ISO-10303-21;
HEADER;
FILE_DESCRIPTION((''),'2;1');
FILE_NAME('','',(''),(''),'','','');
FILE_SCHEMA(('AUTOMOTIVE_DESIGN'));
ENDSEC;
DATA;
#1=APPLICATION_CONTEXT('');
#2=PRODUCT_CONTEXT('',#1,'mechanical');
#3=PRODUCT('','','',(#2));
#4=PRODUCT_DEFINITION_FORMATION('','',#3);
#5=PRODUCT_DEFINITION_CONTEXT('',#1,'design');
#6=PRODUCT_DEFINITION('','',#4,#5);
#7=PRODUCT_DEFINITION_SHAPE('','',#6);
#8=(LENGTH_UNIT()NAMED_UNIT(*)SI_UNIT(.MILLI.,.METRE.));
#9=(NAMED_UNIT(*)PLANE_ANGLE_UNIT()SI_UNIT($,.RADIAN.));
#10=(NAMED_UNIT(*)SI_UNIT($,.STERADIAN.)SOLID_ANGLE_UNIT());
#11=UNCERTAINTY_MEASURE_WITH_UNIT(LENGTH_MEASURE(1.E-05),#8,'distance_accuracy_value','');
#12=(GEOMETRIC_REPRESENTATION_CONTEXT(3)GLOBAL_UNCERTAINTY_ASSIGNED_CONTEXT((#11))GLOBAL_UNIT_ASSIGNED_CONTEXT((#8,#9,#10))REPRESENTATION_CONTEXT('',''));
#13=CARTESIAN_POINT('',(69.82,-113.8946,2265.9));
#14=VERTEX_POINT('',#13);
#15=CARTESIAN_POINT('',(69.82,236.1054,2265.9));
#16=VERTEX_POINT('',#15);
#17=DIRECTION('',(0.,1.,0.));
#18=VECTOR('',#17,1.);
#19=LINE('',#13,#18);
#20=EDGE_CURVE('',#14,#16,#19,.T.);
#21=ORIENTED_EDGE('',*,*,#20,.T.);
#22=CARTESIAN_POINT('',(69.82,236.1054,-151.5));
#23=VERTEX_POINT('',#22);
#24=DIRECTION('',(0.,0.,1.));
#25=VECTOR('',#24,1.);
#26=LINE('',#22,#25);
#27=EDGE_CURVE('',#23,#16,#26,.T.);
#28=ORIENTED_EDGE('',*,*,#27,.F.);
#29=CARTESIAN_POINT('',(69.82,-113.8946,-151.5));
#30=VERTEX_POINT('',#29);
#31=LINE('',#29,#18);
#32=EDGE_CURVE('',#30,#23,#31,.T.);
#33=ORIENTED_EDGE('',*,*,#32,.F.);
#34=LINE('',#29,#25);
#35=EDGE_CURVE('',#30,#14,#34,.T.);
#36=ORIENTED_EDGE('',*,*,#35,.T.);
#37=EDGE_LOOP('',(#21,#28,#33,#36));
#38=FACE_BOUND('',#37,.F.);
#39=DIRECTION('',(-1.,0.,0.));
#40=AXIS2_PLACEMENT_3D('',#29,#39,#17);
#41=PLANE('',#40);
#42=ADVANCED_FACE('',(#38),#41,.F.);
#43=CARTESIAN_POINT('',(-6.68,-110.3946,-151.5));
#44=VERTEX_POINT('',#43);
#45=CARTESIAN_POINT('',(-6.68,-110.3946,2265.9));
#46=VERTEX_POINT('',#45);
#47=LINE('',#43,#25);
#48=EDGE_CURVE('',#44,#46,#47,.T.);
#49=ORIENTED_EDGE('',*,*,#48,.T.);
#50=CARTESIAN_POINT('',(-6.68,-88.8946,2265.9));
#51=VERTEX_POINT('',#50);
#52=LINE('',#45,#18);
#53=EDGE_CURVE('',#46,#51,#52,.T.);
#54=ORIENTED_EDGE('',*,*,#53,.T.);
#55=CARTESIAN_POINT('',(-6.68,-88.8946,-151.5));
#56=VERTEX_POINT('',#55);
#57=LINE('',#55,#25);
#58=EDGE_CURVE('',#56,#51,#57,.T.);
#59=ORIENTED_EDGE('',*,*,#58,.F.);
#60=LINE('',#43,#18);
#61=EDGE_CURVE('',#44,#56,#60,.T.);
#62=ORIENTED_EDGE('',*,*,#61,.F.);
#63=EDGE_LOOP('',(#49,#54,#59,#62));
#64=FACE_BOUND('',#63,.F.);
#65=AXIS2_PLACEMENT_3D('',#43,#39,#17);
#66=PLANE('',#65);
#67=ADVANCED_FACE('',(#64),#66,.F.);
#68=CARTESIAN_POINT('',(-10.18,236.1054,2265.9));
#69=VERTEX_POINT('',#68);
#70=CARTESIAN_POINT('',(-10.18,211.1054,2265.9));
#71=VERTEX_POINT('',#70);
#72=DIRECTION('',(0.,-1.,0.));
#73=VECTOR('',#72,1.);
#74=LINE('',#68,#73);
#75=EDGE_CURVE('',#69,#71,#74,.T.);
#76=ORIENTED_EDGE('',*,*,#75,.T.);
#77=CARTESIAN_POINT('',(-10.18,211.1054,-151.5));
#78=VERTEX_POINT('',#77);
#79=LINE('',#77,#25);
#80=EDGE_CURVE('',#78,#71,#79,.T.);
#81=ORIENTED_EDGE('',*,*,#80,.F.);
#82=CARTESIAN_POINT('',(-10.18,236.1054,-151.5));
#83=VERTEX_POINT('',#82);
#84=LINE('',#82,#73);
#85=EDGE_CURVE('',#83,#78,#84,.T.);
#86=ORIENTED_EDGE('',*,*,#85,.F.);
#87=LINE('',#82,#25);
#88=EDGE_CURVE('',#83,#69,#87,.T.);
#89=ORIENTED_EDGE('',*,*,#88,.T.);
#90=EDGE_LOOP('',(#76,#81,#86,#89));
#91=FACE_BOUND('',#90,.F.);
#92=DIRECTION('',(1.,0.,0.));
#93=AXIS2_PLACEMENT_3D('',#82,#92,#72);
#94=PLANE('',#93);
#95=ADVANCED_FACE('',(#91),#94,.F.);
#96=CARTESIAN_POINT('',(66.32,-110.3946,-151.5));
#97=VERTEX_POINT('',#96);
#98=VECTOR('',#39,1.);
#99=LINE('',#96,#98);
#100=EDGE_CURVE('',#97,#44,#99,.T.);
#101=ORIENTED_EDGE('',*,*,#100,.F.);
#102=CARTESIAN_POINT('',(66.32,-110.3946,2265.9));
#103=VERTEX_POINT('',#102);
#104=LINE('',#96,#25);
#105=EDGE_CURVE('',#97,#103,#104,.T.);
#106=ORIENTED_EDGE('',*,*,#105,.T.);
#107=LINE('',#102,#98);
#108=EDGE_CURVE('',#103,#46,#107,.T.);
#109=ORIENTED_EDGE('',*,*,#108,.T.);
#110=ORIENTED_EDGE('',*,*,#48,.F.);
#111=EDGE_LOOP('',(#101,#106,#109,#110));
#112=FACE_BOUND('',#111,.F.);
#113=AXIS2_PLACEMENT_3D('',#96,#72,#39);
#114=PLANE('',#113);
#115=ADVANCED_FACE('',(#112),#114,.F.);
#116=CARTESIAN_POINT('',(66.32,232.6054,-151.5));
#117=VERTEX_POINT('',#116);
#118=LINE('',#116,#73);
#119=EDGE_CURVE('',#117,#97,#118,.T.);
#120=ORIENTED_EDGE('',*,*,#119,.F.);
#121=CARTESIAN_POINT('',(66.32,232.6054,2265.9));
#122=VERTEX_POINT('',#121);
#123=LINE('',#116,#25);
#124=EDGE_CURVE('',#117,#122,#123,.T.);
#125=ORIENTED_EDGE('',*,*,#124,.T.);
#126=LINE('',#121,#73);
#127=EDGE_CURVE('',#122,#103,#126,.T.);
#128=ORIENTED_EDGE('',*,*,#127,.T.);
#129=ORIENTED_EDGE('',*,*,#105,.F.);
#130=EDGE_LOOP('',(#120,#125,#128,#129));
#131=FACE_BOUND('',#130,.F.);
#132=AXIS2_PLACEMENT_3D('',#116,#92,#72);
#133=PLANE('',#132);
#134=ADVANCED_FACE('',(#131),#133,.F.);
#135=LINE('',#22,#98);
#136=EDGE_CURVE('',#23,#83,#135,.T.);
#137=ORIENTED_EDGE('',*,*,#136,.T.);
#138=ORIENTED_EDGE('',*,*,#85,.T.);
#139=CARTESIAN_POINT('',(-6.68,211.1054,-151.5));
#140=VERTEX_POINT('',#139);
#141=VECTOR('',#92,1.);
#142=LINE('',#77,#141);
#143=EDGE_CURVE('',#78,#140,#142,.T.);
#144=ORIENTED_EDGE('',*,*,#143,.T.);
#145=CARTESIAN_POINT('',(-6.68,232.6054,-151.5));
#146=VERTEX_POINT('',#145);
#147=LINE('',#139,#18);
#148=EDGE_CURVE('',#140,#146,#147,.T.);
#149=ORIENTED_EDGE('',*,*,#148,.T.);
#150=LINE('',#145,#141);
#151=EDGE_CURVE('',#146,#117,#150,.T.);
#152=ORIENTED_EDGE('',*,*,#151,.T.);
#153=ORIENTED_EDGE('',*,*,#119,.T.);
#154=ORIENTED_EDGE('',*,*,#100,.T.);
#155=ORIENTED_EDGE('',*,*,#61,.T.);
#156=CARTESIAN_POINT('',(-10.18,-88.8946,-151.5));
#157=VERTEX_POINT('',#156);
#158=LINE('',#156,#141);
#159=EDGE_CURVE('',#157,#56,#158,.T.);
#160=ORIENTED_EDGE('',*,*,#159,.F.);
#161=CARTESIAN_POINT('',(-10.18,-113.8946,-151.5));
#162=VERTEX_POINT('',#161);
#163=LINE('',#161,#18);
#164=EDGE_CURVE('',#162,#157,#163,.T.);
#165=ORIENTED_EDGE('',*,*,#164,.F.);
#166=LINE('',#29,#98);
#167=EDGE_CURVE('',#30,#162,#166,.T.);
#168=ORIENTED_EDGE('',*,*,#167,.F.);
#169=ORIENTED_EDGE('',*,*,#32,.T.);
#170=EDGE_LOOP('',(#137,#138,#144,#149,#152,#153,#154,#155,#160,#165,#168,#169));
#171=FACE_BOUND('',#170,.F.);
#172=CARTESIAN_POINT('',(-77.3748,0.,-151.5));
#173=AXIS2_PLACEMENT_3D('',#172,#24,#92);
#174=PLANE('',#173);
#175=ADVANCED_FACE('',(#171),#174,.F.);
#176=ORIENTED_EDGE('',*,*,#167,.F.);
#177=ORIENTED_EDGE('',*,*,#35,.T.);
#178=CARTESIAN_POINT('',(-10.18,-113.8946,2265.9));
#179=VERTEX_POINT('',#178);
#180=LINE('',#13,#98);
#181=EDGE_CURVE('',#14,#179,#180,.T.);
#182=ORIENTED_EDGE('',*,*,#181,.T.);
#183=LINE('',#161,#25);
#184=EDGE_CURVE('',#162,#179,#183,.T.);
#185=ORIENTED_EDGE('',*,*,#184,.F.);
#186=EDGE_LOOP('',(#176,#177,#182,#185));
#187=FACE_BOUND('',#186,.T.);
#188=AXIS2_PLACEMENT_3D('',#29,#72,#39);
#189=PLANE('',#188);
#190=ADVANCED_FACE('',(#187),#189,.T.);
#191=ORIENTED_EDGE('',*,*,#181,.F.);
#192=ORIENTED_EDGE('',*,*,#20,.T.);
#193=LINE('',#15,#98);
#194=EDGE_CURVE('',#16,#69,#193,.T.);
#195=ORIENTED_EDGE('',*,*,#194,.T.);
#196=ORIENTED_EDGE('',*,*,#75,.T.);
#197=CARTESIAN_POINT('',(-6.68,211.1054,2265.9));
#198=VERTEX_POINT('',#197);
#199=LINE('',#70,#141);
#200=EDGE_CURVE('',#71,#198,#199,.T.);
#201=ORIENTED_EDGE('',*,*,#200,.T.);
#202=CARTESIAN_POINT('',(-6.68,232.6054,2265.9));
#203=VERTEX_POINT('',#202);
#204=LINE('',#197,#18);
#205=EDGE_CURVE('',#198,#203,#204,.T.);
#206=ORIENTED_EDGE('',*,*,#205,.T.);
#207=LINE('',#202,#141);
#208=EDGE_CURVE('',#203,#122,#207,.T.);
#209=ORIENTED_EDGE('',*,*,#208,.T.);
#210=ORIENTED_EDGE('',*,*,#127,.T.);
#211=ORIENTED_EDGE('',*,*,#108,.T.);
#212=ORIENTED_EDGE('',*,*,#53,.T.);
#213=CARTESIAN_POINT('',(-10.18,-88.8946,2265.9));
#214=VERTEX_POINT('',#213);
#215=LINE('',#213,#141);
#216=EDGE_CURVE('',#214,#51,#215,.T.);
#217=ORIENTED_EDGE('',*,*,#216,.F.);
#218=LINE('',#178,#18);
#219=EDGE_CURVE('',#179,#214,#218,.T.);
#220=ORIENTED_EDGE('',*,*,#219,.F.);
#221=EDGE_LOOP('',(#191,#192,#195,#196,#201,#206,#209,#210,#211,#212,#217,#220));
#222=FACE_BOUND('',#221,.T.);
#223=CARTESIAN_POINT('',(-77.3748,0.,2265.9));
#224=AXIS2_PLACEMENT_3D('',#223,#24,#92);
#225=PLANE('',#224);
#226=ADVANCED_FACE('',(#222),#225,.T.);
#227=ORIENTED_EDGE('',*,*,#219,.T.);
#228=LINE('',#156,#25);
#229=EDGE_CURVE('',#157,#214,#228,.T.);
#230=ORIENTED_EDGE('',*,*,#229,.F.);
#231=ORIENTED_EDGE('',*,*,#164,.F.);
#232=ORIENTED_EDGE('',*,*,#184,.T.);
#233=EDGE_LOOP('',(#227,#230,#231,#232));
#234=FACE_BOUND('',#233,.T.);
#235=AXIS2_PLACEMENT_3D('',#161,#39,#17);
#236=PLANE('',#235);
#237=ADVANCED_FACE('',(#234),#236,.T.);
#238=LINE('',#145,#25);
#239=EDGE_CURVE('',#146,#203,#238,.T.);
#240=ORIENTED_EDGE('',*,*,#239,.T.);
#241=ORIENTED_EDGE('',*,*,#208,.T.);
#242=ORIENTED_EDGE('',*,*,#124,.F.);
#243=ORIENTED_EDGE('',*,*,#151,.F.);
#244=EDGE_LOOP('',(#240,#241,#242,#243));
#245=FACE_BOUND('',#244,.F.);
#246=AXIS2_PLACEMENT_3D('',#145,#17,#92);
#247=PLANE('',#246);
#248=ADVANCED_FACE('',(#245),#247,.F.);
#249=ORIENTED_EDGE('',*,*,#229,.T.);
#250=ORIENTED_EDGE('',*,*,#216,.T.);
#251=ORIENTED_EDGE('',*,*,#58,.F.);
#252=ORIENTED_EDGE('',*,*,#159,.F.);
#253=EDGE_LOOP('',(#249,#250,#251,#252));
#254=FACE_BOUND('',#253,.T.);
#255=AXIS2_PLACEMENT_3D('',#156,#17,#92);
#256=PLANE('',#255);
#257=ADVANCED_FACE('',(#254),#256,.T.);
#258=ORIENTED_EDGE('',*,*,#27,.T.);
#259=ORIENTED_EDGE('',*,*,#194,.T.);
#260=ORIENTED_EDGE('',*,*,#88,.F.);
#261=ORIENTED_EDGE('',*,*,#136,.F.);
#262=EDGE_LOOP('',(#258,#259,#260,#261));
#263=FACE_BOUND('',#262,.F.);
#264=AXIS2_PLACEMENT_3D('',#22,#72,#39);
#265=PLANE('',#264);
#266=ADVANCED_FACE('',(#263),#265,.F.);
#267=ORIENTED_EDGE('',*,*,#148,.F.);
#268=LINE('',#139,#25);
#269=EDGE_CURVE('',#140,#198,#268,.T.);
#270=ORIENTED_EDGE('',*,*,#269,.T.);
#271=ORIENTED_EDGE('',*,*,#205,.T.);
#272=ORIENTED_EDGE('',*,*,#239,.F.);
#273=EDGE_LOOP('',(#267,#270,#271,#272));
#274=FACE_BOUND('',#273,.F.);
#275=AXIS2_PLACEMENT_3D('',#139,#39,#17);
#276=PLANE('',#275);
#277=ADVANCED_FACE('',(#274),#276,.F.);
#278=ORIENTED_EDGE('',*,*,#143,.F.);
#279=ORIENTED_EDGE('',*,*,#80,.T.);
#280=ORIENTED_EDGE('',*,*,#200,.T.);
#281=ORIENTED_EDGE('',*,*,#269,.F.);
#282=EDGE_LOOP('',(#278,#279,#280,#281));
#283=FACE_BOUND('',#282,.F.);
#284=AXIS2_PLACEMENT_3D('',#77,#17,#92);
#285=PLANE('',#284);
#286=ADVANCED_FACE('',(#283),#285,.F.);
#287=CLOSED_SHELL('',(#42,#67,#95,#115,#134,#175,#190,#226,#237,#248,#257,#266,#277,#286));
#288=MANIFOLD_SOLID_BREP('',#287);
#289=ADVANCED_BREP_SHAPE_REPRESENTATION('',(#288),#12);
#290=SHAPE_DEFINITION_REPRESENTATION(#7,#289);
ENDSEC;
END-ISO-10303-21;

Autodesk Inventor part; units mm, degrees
ref_plane "YZ Plane" through (0, 0, 0) normal (1, 0, 0) x (0, 1, 0)
ref_plane "XZ Plane" through (0, 0, 0) normal (0, 1, 0) x (-1, 0, 0)
ref_plane "XY Plane" through (0, 0, 0) normal (0, 0, 1) x (1, 0, 0)
ref_plane "Work Plane1" through (-77.3748, 0, -151.5) normal (0, 0, 1) x (1, 0, 0)
sketch "Sketch1" plane through (-77.3748, 0, -151.5) normal (0, 0, 1) x (1, 0, 0)
  line L0 (147.1948, -113.8946) -> (147.1948, 236.1054)
  line L1 (147.1948, 236.1054) -> (67.1948, 236.1054)
  line L2 (67.1948, 236.1054) -> (67.1948, 211.1054)
  line L3 (147.1948, -113.8946) -> (67.1948, -113.8946)
  line L4 (67.1948, -113.8946) -> (67.1948, -88.8946)
  line L5 (70.6948, 211.1054) -> (70.6948, 232.6054)
  line L6 (70.6948, 232.6054) -> (143.6948, 232.6054)
  line L7 (143.6948, 232.6054) -> (143.6948, -110.3946)
  line L8 (143.6948, -110.3946) -> (70.6948, -110.3946)
  line L9 (70.6948, -110.3946) -> (70.6948, -88.8946)
  line L10 (67.1948, -88.8946) -> (70.6948, -88.8946)
  line L11 (67.1948, 211.1054) -> (70.6948, 211.1054)
  dimension "d2" = 25
  dimension "d4" = 80
  dimension "d5" = 25
  dimension "d6" = 3.5
  dimension "d7" = 350
  dimension "d10" = 80
extrude "Extrusion2" add sketch "Sketch1" along normal blind 2417.4
